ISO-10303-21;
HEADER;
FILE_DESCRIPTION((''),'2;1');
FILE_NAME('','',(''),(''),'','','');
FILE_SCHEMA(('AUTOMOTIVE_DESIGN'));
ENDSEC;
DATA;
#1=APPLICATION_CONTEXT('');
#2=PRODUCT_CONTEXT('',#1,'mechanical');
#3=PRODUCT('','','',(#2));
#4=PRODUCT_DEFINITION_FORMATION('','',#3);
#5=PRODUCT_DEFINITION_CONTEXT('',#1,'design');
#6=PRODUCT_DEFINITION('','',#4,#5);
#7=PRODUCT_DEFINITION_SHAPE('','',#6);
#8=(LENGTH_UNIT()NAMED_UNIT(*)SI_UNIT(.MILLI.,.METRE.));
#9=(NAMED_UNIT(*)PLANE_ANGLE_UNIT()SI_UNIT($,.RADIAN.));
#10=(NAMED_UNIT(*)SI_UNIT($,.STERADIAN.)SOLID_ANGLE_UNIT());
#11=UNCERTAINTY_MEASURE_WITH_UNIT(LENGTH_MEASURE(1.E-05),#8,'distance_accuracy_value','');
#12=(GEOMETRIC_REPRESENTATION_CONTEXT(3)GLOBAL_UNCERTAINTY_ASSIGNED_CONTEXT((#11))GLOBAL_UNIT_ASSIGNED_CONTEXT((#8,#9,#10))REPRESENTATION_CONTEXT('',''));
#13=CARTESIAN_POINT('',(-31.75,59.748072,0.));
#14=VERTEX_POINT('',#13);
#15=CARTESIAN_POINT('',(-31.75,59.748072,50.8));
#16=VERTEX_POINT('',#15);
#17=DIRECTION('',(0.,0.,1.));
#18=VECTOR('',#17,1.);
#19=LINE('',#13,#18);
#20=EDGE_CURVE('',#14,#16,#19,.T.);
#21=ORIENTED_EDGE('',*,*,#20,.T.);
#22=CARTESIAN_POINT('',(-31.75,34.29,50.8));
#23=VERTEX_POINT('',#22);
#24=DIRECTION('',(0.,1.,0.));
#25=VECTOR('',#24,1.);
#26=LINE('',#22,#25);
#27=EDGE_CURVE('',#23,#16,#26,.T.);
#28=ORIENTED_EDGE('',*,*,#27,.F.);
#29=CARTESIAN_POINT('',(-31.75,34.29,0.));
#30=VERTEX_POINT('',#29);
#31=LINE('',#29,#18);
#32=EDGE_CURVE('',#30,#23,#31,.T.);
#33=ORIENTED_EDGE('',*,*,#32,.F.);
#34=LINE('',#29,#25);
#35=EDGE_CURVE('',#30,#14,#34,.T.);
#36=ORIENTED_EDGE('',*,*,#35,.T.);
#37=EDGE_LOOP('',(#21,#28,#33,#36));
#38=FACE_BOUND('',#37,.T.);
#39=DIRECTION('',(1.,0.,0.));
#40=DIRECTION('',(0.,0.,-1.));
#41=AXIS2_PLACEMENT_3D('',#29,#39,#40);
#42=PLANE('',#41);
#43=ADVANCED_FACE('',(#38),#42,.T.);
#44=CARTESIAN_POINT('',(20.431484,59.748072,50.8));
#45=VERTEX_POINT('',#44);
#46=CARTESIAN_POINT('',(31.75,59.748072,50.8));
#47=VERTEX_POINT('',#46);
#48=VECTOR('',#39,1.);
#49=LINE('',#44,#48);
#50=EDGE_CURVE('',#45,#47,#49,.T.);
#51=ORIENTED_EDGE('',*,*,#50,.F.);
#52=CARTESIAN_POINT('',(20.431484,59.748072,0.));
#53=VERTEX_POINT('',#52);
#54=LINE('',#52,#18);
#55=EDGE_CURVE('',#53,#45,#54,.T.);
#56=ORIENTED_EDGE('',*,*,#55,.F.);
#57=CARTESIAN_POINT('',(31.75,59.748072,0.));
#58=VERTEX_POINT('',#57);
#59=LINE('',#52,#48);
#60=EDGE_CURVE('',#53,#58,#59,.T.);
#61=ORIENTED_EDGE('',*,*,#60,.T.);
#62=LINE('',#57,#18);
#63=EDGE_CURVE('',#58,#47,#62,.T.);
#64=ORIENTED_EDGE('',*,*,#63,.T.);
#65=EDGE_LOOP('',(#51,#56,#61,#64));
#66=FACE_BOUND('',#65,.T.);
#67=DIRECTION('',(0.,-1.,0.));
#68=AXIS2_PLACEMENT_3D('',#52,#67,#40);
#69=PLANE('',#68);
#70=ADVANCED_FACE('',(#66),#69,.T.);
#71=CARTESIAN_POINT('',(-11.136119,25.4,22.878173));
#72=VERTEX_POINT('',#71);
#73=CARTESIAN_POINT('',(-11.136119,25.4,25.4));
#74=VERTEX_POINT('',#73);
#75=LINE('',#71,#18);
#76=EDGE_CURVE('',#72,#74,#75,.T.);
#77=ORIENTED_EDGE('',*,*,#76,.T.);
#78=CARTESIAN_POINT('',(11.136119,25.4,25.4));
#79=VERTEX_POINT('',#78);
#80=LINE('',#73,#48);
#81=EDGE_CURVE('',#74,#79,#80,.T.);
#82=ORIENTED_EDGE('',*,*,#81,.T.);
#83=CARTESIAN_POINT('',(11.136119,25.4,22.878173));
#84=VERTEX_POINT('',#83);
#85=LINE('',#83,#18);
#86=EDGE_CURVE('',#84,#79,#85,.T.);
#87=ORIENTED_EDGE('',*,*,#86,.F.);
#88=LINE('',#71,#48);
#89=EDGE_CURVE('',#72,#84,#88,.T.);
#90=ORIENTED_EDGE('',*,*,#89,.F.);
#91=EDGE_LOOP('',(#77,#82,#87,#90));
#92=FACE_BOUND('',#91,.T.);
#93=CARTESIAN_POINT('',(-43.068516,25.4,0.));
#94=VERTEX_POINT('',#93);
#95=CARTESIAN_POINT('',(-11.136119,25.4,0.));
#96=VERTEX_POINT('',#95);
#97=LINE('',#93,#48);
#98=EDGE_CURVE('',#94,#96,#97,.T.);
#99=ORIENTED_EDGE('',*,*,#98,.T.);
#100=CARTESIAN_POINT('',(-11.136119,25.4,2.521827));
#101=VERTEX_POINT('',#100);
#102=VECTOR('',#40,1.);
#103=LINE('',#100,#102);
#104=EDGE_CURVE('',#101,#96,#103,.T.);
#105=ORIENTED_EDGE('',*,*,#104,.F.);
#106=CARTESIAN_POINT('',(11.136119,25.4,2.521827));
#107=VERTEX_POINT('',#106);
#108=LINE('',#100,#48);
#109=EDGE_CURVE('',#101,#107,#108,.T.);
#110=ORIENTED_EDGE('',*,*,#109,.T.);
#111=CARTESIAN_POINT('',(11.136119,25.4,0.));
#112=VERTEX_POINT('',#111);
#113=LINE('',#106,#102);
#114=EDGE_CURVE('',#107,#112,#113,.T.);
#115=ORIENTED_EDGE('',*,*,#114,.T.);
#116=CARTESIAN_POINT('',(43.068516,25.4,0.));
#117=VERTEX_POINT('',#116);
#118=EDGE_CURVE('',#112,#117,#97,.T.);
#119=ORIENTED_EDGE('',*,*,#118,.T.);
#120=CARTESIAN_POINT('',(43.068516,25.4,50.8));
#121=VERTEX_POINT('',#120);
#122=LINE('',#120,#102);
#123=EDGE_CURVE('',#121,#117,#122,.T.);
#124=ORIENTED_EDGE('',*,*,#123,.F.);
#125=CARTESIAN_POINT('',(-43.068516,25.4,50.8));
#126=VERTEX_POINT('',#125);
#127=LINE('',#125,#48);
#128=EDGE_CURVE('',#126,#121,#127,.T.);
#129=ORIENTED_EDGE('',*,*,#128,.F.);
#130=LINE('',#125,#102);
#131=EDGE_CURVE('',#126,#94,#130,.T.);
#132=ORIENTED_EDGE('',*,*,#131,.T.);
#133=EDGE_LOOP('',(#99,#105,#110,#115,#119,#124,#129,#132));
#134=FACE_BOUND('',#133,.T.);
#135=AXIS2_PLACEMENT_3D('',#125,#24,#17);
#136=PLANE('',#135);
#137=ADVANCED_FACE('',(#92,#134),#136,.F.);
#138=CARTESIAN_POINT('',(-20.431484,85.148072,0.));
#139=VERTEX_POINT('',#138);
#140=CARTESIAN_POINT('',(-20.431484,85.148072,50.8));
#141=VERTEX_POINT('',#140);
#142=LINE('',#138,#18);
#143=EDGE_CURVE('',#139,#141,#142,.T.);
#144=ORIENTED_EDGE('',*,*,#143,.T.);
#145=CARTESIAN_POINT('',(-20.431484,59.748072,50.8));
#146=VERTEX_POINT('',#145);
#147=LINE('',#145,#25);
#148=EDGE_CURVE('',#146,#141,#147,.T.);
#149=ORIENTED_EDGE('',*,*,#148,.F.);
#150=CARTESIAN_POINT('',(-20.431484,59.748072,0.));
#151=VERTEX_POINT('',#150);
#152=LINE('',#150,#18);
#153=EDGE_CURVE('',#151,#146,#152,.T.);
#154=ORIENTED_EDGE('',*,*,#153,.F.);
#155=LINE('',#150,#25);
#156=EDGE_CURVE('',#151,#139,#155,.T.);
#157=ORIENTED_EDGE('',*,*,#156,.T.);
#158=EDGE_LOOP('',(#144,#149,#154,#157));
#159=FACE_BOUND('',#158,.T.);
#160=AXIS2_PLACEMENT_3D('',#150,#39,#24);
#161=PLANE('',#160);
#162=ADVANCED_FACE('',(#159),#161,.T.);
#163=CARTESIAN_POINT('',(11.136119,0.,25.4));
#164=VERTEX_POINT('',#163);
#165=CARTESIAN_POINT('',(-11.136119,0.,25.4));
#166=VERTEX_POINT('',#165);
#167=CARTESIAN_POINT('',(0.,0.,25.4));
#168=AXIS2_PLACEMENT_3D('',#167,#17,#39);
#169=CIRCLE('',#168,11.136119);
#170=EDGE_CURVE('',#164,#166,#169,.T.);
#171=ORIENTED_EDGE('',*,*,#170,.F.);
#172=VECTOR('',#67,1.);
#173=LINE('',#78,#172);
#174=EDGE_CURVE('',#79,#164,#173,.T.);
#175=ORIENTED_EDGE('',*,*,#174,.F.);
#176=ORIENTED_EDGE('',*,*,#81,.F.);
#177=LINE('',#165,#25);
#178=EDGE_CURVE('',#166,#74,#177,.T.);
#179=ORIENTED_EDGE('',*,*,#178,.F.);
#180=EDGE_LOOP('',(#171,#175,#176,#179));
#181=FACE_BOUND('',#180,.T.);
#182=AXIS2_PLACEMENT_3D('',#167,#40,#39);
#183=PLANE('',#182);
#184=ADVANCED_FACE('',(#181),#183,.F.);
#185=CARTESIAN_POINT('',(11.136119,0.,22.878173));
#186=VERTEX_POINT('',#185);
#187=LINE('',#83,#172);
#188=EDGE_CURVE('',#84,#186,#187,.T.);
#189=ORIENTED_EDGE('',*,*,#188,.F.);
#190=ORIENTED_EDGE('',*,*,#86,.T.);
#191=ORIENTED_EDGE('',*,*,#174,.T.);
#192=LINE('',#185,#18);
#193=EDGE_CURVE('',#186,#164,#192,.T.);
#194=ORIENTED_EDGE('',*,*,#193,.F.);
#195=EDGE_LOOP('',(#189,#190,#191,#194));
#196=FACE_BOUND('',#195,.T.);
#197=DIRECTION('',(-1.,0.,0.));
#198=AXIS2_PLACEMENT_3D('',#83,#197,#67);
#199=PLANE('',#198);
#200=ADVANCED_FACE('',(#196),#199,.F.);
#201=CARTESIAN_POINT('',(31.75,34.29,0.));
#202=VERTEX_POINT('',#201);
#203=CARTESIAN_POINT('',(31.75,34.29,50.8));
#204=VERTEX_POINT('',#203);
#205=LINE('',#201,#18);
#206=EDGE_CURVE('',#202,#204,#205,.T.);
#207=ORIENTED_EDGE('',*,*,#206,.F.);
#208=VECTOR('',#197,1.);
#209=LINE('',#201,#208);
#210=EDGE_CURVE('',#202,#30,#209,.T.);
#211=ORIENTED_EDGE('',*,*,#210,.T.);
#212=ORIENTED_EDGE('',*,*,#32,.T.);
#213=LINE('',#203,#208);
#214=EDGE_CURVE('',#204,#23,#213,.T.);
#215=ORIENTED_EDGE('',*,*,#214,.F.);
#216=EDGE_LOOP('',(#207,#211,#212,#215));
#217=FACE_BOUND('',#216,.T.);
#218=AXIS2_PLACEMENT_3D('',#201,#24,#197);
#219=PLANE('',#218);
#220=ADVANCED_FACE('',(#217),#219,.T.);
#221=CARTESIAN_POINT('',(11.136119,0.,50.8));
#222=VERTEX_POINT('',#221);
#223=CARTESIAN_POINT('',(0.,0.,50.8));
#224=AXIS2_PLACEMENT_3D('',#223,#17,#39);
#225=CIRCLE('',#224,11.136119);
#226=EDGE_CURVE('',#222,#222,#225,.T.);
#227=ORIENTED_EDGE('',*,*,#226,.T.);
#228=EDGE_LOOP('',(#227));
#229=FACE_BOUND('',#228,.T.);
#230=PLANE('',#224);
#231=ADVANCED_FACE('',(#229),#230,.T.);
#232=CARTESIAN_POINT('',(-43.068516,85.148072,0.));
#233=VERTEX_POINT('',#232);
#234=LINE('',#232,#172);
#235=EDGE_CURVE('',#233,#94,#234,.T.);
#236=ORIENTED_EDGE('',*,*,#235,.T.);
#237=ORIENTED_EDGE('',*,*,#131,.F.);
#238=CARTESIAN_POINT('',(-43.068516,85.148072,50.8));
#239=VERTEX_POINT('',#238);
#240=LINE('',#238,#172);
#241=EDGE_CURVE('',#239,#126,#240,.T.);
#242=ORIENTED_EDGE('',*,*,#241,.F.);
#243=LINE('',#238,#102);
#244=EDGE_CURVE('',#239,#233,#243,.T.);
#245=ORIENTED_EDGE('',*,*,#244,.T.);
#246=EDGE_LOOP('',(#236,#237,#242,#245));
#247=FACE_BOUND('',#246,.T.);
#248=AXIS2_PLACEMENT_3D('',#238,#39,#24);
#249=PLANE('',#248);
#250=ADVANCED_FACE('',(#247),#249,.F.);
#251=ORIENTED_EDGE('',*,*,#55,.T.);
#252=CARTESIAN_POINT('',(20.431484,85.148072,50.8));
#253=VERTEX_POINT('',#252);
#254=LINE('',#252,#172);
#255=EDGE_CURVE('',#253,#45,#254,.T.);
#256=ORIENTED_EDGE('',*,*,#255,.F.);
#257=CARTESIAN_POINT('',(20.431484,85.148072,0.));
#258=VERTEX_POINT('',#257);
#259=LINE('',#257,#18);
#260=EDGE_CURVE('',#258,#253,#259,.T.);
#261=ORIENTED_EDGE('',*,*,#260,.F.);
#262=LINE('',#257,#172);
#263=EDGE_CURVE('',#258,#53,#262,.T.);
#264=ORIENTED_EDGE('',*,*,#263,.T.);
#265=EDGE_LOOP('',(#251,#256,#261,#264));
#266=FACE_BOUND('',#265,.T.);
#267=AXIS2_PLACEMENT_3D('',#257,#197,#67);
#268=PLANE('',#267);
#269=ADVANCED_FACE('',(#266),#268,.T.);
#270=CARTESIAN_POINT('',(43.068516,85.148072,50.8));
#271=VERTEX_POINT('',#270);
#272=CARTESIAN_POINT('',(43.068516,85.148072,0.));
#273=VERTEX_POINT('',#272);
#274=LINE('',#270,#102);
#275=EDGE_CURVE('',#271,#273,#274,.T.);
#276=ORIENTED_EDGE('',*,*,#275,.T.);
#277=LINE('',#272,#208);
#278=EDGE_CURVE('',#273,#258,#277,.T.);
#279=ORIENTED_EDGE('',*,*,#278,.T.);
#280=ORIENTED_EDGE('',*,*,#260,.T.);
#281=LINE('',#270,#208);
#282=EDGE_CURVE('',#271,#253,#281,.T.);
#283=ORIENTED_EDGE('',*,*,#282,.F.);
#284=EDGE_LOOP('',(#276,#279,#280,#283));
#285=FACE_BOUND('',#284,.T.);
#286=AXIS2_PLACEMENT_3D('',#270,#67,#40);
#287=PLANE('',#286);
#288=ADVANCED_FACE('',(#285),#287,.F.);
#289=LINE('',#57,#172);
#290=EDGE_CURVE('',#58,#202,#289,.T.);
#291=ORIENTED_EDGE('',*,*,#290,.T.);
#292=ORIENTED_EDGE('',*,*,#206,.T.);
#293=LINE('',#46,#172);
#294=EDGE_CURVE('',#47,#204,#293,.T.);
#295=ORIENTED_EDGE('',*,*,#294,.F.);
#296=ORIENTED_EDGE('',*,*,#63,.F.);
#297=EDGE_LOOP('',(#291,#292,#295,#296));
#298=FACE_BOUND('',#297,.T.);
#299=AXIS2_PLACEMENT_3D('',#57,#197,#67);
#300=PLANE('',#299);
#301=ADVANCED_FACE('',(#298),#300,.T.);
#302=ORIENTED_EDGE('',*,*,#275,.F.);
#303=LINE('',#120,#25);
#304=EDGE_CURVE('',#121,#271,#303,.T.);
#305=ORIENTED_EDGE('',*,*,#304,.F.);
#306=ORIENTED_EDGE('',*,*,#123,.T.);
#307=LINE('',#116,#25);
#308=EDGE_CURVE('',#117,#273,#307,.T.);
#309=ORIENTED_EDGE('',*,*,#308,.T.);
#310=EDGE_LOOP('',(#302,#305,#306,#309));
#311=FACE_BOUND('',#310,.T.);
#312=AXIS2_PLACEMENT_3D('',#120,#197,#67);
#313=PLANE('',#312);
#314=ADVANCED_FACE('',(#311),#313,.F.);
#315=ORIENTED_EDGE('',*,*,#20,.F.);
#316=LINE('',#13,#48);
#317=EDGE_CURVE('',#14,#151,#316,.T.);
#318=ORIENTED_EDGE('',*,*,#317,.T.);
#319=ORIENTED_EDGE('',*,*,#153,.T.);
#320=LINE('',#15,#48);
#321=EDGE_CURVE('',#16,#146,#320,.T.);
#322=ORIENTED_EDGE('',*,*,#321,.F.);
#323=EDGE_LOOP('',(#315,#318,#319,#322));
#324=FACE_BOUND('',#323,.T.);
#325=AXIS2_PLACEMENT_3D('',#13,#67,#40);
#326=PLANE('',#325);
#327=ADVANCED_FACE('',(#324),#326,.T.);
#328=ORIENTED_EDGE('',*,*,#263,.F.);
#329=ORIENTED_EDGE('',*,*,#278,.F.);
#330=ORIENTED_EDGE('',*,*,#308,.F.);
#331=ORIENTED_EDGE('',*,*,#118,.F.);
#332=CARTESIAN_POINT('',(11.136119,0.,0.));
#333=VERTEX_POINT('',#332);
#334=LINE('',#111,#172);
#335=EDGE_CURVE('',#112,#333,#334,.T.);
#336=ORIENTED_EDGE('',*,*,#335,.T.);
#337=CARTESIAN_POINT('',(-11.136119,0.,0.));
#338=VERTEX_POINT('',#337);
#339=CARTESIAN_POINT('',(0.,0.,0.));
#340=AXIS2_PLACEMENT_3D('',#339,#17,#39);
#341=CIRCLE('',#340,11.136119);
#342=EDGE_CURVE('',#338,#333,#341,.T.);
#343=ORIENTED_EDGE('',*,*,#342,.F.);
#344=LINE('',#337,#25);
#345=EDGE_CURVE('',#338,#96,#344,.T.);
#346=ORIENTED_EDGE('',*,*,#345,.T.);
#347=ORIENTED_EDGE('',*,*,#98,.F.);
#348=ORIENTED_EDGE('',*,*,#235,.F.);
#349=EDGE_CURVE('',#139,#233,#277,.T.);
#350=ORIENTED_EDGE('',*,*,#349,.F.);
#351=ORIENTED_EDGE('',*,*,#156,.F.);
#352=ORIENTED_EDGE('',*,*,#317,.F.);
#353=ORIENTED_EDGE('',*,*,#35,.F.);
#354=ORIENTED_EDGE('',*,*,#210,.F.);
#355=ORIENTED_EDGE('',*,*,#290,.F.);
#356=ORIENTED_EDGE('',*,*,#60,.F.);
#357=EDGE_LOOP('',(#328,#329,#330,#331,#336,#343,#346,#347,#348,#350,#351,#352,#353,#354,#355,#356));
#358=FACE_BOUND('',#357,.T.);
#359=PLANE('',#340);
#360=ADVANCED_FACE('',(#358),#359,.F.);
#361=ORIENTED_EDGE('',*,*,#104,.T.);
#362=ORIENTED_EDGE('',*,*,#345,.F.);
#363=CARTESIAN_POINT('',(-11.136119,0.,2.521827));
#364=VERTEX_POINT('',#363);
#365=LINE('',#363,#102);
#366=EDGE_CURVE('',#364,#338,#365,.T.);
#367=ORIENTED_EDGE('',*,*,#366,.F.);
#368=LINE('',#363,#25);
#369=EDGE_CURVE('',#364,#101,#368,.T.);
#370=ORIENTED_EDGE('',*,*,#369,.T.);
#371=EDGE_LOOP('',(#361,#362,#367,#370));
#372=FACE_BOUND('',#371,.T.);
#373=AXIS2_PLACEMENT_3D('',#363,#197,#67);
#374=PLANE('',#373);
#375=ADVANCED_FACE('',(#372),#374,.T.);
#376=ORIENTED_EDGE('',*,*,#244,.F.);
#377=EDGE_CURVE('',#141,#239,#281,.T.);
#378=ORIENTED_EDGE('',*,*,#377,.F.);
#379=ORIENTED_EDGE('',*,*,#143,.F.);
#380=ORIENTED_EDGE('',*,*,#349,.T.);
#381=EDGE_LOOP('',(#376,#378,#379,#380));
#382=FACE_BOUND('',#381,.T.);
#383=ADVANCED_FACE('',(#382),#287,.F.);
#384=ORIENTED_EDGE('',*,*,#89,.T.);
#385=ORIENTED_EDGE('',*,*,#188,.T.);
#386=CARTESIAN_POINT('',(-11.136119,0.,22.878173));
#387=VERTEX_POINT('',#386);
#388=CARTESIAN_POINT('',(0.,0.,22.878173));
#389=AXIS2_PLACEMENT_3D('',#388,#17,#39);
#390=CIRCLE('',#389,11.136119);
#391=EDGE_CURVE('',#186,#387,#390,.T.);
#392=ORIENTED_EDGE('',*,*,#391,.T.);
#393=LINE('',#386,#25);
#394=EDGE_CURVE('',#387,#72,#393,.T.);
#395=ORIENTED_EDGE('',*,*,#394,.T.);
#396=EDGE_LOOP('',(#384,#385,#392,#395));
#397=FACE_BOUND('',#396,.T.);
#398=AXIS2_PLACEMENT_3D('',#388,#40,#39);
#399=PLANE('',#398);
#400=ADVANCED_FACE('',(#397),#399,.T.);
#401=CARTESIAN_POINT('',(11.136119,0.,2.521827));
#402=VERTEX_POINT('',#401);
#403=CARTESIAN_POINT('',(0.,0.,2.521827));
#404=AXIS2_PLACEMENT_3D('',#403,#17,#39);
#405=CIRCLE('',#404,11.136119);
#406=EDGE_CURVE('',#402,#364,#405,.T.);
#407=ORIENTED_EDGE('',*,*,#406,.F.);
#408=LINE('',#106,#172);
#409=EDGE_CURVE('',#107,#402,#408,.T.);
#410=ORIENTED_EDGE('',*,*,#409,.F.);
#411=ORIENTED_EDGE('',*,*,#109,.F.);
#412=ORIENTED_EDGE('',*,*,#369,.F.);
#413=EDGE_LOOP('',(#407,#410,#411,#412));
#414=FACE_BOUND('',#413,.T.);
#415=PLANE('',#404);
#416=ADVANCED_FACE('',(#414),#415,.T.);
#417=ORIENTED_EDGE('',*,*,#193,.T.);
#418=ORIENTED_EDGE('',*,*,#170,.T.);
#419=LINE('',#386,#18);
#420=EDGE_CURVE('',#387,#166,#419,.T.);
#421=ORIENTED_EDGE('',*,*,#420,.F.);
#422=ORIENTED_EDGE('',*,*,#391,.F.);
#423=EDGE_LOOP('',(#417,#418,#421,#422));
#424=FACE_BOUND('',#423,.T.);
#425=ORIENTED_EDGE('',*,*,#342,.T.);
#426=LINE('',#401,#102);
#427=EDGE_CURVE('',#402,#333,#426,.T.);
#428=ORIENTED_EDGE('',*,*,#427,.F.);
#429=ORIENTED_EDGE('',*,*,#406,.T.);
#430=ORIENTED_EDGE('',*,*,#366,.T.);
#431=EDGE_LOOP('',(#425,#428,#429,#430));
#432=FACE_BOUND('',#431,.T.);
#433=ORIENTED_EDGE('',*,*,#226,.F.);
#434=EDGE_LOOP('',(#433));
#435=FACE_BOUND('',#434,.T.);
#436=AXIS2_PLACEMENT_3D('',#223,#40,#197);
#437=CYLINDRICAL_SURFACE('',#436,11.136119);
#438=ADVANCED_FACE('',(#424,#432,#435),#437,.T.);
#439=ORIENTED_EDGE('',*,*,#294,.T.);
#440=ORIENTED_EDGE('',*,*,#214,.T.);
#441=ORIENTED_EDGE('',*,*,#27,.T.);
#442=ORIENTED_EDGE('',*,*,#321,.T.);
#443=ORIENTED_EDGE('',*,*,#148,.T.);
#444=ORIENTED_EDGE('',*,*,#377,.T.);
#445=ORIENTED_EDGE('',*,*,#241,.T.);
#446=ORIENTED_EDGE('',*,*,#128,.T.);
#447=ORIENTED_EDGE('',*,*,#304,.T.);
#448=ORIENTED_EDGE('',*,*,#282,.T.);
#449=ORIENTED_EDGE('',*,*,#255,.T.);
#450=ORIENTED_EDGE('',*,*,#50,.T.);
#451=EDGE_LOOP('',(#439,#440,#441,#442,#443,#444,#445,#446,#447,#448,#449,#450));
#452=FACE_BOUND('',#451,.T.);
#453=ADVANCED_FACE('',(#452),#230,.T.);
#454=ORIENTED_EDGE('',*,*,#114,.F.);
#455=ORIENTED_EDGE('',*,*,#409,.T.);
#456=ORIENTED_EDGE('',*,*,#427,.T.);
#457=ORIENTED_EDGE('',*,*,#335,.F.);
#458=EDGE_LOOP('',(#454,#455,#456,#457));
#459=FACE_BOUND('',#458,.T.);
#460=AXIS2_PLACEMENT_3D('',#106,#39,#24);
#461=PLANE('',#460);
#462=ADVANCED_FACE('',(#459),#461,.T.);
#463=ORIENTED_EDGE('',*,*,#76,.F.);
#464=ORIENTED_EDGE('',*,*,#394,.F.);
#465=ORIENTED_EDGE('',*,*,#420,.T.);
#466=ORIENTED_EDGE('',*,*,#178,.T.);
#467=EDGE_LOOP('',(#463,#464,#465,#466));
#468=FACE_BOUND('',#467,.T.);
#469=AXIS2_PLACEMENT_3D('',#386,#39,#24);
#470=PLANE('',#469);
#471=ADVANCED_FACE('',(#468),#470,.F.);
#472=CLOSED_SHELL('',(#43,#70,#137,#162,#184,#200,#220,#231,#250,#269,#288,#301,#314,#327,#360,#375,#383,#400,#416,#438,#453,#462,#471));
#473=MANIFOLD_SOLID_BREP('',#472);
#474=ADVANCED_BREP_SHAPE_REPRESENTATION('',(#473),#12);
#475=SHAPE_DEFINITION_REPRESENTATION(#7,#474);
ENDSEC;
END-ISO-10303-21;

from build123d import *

# Parameters (mm, degrees)
BOSS_EXTRUDE1_DEPTH = 2.521826736
SKETCH2_R           = 11.136118556
BOSS_EXTRUDE2_DEPTH = 50.8
SKETCH3_W           = 86.137031446
SKETCH3_H           = 59.748072355
BOSS_EXTRUDE3_DEPTH = 50.8
CUT_EXTRUDE1_DEPTH  = 109.100560925


with BuildPart() as part:
    # Sketch1 → Boss-Extrude1 (new body)
    with BuildSketch(Plane.XY):
        with BuildLine():
            Line((-11.136118556, 0), (-11.136118556, 25.4))
            Line((-11.136118556, 25.4), (11.136118556, 25.4))
            Line((11.136118556, 25.4), (11.136118556, 0))
            ThreePointArc((11.136118556, 0), (0, 11.136118556), (-11.136118556, 0))
        make_face()
    boss_extrude1 = extrude(amount=BOSS_EXTRUDE1_DEPTH)

    # Sketch2 → Boss-Extrude2 (add)
    with BuildSketch(Plane.XY):
        Circle(SKETCH2_R)
    extrude(amount=BOSS_EXTRUDE2_DEPTH)

    # Sketch3 → Boss-Extrude3 (add)
    with BuildSketch(Plane.XY):
        with Locations((0, 55.274036178)):
            Rectangle(SKETCH3_W, SKETCH3_H)
    extrude(amount=BOSS_EXTRUDE3_DEPTH)

    # Sketch4 → Cut-Extrude1 (cut, through all)
    with BuildSketch(Plane.XY.offset(50.8)):
        Polygon((20.431484277, 85.148072355), (20.431484277, 59.748072355), (31.75, 59.748072355), (31.75, 34.29), (-31.75, 34.29), (-31.75, 59.748072355), (-20.431484277, 59.748072355), (-20.431484277, 85.148072355), align=None)
    extrude(amount=-CUT_EXTRUDE1_DEPTH, mode=Mode.SUBTRACT)

    # Mirror1: Boss-Extrude1 across plane
    add(boss_extrude1.mirror(Plane(origin=(0, 0, 12.7), x_dir=(1, 0, 0), z_dir=(0, 0, -1))))


solid = part.part
